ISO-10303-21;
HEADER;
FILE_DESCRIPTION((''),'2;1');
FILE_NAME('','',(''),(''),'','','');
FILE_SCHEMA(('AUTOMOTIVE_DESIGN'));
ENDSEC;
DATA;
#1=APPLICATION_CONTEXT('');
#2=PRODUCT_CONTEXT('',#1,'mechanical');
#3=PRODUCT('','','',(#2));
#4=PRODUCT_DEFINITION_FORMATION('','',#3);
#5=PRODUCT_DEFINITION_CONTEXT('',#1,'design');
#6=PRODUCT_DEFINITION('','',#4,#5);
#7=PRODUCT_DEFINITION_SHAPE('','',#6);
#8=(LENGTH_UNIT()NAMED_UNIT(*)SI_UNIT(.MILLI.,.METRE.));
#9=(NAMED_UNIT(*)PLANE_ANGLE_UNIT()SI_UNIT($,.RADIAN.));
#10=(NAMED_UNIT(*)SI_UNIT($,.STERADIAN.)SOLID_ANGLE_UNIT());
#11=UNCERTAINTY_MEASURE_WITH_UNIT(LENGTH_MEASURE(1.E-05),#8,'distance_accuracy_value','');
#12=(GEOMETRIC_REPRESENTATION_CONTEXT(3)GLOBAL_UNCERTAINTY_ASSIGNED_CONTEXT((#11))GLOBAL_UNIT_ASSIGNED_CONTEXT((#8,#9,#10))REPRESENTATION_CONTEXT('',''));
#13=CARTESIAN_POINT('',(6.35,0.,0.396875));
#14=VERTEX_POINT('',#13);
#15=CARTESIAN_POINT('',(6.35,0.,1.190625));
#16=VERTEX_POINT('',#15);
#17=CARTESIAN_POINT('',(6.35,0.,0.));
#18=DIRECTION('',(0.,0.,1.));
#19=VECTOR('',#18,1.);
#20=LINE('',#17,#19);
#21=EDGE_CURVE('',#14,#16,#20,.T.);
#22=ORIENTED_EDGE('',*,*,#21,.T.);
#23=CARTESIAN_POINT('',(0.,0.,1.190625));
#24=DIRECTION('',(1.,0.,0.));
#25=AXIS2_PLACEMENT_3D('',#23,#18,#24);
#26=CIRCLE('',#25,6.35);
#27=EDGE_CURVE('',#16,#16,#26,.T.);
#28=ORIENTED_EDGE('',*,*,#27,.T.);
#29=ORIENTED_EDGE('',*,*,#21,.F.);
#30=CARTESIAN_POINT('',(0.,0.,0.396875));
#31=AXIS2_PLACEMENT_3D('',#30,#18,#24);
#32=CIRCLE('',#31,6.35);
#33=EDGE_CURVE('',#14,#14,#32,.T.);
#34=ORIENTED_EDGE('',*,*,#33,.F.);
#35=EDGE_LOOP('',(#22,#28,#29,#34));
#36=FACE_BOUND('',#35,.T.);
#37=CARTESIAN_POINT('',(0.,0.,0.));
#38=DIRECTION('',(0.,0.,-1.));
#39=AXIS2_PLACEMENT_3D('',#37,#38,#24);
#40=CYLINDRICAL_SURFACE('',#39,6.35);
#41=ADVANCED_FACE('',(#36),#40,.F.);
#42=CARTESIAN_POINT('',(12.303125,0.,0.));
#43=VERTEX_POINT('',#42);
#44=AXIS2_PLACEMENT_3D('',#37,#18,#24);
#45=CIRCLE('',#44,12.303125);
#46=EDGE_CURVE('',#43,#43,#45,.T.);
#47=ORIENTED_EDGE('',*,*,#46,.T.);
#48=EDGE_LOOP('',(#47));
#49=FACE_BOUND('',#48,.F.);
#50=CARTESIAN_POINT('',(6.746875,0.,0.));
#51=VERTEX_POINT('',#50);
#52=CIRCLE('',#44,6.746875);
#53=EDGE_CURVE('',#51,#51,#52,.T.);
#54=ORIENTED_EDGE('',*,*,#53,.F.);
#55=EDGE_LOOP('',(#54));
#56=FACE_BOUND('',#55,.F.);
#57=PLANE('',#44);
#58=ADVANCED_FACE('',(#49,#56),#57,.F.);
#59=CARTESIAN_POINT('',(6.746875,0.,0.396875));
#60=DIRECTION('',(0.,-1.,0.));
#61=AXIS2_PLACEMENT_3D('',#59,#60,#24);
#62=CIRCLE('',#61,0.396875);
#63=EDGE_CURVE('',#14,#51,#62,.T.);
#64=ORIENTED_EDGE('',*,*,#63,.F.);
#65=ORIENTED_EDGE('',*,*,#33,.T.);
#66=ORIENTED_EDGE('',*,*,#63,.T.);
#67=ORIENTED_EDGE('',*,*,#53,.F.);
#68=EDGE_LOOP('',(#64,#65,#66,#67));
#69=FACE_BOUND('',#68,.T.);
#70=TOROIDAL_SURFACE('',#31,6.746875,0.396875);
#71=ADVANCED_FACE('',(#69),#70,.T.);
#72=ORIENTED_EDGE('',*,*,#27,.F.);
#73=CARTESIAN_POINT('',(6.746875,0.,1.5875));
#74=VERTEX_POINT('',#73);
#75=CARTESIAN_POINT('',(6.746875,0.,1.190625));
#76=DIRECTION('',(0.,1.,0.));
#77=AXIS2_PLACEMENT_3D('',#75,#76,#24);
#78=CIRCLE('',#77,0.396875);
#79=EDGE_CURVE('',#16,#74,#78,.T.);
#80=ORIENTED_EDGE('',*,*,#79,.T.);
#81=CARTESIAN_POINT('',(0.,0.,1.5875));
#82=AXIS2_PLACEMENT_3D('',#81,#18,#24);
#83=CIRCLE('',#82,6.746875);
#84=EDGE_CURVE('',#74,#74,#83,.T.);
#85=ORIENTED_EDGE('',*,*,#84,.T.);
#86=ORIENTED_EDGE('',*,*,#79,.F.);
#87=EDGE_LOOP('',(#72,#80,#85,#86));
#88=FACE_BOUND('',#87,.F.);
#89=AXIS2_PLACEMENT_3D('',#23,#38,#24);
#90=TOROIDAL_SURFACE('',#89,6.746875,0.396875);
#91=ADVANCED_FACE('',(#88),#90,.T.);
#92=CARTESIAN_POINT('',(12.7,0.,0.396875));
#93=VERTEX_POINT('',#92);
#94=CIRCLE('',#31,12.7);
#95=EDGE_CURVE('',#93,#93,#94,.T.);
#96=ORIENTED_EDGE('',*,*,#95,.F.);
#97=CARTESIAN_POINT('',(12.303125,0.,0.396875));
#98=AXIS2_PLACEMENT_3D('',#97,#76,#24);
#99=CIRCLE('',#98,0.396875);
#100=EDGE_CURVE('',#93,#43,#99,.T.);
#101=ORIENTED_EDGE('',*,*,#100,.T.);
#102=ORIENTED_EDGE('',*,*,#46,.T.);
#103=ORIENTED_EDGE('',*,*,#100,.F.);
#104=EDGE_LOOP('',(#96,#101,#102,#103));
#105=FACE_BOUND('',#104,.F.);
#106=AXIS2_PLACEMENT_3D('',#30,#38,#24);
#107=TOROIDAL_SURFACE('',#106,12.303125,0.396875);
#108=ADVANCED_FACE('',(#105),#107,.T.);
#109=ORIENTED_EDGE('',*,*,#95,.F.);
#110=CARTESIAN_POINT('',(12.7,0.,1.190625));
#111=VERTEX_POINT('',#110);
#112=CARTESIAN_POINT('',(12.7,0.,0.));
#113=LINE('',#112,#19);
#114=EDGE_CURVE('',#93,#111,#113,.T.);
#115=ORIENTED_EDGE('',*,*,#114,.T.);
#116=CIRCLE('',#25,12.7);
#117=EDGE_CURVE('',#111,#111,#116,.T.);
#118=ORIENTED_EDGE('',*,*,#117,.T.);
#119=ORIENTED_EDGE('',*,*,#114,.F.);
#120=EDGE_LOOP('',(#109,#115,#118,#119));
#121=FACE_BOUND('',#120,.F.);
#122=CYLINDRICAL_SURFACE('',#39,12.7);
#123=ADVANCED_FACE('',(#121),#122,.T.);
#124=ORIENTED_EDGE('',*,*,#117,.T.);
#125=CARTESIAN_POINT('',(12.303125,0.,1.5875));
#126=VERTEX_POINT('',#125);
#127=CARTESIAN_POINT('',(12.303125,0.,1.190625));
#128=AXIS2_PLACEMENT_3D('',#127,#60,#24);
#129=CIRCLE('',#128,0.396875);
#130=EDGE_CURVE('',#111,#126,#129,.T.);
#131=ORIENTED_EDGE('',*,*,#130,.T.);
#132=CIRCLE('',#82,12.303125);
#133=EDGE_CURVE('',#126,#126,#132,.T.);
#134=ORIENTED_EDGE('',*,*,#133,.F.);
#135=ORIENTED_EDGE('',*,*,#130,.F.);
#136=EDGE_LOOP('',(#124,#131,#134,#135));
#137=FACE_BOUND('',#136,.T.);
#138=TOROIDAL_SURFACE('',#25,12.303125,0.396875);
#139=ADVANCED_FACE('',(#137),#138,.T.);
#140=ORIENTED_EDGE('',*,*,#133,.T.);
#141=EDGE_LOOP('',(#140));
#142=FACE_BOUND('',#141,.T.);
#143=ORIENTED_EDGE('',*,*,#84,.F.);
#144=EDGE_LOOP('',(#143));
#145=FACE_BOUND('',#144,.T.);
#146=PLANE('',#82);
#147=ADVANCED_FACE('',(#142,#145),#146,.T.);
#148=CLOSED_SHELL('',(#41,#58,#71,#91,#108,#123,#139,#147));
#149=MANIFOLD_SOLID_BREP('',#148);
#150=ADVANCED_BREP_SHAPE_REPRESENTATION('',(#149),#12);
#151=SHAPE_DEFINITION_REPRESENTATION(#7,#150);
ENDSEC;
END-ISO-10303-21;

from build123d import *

# Parameters (mm, degrees)
F0_R     = 12.7
F0_R_2   = 6.35
F1_DEPTH = 1.5875
F2_R     = 0.396875


with BuildPart() as f1:
    # F0 (on Top) → F1 (new body)
    with BuildSketch(Plane.XY):
        Circle(F0_R)
        Circle(F0_R_2, mode=Mode.SUBTRACT)
    extrude(amount=F1_DEPTH)

    # F2
    f2_edges = [f1.edges().sort_by_distance(p)[0] for p in [
        (-12.7, 0, 0),
        (-6.35, 0, 0),
        (-12.7, 0, 1.5875),
        (12.7, 0, 0.79375),
        (-6.35, 0, 1.5875),
        (6.35, 0, 0.79375),
    ]]
    fillet(f2_edges, radius=F2_R)


solid = f1.part
